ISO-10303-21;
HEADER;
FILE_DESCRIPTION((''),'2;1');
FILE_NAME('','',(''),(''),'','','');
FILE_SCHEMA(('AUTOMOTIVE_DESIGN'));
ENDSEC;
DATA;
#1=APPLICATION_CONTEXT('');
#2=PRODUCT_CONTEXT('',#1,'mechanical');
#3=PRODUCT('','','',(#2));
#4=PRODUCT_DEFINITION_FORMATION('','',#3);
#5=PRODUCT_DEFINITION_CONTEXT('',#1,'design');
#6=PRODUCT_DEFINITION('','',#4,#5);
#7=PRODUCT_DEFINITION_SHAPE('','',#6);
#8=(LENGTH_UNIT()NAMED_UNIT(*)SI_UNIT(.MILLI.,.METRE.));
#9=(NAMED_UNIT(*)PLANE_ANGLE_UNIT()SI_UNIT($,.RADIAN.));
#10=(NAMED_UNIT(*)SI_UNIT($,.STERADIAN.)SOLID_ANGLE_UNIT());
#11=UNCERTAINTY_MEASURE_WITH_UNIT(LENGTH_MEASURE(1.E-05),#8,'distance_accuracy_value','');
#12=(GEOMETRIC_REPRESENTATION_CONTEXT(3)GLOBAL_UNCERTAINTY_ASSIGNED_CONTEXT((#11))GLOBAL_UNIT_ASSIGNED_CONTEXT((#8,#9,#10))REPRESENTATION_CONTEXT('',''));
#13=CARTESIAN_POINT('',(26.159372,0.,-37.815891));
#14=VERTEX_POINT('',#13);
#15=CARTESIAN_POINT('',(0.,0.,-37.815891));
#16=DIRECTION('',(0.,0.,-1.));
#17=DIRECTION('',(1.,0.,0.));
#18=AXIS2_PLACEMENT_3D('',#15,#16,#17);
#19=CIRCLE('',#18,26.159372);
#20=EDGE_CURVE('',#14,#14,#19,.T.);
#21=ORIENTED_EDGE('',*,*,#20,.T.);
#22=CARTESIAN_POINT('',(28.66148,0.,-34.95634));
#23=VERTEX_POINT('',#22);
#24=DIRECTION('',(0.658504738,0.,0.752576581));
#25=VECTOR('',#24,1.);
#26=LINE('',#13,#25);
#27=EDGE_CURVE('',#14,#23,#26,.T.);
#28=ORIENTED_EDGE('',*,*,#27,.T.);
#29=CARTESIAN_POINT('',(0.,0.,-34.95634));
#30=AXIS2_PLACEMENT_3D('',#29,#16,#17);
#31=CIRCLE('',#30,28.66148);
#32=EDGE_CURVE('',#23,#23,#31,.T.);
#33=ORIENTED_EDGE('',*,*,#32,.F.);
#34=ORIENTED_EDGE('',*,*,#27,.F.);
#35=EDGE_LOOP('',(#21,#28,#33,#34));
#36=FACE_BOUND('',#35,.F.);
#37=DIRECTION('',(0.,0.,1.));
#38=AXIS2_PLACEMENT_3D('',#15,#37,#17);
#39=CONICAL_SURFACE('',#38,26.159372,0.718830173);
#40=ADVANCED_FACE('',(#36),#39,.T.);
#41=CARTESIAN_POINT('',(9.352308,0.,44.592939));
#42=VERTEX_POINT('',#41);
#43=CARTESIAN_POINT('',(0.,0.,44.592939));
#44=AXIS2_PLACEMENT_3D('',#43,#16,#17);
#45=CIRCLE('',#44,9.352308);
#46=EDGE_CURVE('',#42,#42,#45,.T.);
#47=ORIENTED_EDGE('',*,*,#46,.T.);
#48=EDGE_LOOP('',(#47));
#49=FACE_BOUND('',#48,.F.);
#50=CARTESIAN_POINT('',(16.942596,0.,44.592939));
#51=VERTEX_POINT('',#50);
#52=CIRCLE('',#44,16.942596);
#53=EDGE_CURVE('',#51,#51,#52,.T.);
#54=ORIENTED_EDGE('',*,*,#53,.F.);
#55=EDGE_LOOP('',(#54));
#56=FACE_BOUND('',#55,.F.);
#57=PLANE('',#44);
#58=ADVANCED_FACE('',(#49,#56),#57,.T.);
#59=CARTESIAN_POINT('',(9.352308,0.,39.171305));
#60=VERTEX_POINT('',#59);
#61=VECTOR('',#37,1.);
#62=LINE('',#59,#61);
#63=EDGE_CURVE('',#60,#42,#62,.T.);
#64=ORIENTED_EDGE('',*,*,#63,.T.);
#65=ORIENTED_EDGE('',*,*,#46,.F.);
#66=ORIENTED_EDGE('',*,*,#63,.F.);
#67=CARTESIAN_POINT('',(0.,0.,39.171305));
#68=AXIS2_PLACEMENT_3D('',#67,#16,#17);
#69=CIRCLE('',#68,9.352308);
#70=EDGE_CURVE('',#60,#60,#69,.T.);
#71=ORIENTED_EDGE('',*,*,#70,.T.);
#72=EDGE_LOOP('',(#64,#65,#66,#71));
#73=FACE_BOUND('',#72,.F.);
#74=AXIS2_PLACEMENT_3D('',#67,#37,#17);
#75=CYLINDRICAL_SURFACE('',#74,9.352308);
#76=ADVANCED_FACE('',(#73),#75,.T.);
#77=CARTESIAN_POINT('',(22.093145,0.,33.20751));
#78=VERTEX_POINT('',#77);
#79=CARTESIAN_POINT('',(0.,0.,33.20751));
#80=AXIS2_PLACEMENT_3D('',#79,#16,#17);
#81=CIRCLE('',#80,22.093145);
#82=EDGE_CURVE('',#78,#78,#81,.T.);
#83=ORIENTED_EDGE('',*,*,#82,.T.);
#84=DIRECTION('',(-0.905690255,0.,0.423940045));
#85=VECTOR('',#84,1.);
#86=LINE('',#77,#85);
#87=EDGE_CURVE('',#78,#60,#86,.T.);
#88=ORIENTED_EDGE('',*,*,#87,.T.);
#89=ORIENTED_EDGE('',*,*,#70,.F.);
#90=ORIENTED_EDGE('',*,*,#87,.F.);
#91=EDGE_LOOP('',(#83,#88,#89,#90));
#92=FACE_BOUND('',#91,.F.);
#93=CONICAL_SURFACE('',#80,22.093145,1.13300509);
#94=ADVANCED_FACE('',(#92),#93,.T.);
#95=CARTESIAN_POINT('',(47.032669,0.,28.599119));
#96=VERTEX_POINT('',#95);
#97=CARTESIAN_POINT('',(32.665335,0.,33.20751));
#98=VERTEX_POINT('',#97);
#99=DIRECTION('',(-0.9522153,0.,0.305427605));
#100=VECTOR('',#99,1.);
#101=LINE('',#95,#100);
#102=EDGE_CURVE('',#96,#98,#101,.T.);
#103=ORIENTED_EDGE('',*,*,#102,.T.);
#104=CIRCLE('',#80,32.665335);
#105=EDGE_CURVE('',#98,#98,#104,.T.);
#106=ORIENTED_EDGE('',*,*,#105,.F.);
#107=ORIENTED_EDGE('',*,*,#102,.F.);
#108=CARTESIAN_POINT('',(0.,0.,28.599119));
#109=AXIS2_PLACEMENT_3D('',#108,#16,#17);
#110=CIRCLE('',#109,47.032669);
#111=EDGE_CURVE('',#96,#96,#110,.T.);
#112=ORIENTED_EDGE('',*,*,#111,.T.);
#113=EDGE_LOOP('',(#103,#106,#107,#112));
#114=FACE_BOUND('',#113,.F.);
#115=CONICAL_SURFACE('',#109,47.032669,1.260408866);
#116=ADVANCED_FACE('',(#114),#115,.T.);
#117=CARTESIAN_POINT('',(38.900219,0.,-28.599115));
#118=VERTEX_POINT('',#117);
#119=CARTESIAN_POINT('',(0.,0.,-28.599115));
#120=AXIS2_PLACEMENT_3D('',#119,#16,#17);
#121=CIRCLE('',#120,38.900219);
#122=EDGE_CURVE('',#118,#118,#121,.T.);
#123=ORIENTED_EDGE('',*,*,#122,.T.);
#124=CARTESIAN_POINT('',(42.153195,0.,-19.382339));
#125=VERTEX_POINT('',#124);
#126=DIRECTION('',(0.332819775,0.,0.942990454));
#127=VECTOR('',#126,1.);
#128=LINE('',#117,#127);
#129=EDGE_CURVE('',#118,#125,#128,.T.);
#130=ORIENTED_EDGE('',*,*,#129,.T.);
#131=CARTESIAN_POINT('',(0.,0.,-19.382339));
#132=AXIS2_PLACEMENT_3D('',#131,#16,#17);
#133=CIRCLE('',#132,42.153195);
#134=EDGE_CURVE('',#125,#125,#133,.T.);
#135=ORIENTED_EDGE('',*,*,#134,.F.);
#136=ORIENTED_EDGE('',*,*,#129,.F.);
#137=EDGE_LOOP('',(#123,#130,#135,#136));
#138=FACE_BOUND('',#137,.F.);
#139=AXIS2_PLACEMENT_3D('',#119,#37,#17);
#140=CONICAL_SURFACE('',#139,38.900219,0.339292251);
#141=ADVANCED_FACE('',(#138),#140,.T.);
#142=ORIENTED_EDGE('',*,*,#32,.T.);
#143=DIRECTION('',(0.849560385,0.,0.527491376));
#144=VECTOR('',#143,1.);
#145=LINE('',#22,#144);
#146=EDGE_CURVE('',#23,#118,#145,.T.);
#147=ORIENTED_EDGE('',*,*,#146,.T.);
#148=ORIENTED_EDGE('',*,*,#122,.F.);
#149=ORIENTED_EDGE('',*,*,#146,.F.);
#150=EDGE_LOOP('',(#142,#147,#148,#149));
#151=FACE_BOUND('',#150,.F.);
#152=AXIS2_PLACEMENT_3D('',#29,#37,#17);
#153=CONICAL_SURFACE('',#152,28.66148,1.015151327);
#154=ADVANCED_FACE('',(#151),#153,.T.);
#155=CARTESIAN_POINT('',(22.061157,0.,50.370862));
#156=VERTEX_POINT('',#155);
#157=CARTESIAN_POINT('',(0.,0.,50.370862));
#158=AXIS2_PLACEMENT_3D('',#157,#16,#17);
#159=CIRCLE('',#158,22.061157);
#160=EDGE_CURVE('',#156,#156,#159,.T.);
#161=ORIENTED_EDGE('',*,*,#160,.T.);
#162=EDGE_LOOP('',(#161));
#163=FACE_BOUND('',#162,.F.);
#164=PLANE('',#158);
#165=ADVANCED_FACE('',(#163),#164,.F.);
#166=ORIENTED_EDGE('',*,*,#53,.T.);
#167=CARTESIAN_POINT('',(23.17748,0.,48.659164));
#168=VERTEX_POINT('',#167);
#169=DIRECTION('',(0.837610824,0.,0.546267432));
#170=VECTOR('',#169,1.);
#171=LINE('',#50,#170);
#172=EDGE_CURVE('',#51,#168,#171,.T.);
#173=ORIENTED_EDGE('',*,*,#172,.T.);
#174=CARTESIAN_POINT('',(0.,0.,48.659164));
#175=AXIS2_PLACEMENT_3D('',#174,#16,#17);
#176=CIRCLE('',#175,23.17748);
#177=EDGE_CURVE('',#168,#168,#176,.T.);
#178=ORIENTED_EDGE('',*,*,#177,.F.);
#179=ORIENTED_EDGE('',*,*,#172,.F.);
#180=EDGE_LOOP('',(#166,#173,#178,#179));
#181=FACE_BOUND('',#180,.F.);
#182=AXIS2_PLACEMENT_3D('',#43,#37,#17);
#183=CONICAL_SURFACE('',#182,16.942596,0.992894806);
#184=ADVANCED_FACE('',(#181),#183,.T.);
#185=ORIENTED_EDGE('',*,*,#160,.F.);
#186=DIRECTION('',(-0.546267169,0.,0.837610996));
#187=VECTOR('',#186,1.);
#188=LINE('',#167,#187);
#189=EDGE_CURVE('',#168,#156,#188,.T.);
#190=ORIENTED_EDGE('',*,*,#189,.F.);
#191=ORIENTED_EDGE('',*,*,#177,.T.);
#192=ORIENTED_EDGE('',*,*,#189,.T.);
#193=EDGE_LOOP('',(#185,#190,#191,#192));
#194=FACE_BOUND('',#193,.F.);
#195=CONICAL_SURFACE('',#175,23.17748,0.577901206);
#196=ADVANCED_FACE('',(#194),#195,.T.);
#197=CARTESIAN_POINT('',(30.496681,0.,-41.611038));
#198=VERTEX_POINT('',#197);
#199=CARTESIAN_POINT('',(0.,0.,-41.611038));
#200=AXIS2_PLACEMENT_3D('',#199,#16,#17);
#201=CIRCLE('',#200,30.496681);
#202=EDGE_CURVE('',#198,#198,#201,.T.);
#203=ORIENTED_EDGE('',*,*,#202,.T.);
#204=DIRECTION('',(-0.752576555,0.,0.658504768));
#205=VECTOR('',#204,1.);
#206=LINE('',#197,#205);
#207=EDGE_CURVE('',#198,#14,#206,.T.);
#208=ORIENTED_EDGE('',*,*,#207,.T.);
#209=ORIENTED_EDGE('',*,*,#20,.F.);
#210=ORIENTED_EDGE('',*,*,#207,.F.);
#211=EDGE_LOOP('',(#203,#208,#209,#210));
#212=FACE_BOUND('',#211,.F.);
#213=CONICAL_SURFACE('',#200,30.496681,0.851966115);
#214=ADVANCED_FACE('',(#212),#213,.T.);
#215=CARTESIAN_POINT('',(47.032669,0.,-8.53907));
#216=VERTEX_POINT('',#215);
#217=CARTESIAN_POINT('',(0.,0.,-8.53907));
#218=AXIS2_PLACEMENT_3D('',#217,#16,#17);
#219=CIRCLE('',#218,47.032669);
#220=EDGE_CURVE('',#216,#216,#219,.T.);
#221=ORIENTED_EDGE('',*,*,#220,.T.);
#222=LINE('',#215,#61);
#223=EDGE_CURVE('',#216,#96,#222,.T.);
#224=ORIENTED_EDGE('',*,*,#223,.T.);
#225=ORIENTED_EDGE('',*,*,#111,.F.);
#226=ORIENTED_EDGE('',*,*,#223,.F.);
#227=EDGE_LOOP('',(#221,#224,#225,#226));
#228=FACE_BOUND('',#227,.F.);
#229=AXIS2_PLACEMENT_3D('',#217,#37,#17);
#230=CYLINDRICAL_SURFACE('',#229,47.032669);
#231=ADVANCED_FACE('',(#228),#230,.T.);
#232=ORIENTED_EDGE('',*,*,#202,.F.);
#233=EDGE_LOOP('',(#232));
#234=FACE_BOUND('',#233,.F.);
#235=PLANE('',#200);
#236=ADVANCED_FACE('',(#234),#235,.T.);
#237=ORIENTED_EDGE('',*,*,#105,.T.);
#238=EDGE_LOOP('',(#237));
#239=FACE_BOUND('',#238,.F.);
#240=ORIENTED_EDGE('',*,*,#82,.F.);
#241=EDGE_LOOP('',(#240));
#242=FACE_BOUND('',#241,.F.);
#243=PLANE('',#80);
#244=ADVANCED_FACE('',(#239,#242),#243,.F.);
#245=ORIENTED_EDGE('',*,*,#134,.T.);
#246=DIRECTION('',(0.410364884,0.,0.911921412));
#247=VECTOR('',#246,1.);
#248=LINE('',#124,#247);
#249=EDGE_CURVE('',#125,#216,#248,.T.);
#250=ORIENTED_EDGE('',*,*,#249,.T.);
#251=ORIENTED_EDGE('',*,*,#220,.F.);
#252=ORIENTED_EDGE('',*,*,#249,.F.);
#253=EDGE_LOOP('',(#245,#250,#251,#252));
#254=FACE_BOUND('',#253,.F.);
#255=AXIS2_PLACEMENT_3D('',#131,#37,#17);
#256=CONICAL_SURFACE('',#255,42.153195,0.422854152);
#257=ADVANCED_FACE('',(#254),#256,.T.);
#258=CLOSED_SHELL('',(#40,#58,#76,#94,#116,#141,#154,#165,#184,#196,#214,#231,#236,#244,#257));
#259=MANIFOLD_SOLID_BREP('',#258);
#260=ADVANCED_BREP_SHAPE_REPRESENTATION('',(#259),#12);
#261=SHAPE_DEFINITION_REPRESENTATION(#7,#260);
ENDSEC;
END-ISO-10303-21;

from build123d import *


with BuildPart() as f1:
    # F0 (on Front) → F1 (revolve)
    with BuildSketch(Plane.XZ):
        Polygon((0, 50.370862), (0, -41.611038), (30.496681, -41.611038), (26.159372, -37.815891), (28.66148, -34.95634), (38.900219, -28.599115), (42.153195, -19.382339), (47.032669, -8.53907), (47.032669, 11.792055), (47.032669, 28.599119), (32.665335, 33.20751), (22.093145, 33.20751), (9.352308, 39.171305), (9.352308, 44.592939), (16.942596, 44.592939), (23.17748, 48.659164), (22.061157, 50.370862), (9.623392, 50.370862), align=None)
    revolve(axis=Axis((0, 0, -2.304193), (0, 0, -1)))


solid = f1.part
